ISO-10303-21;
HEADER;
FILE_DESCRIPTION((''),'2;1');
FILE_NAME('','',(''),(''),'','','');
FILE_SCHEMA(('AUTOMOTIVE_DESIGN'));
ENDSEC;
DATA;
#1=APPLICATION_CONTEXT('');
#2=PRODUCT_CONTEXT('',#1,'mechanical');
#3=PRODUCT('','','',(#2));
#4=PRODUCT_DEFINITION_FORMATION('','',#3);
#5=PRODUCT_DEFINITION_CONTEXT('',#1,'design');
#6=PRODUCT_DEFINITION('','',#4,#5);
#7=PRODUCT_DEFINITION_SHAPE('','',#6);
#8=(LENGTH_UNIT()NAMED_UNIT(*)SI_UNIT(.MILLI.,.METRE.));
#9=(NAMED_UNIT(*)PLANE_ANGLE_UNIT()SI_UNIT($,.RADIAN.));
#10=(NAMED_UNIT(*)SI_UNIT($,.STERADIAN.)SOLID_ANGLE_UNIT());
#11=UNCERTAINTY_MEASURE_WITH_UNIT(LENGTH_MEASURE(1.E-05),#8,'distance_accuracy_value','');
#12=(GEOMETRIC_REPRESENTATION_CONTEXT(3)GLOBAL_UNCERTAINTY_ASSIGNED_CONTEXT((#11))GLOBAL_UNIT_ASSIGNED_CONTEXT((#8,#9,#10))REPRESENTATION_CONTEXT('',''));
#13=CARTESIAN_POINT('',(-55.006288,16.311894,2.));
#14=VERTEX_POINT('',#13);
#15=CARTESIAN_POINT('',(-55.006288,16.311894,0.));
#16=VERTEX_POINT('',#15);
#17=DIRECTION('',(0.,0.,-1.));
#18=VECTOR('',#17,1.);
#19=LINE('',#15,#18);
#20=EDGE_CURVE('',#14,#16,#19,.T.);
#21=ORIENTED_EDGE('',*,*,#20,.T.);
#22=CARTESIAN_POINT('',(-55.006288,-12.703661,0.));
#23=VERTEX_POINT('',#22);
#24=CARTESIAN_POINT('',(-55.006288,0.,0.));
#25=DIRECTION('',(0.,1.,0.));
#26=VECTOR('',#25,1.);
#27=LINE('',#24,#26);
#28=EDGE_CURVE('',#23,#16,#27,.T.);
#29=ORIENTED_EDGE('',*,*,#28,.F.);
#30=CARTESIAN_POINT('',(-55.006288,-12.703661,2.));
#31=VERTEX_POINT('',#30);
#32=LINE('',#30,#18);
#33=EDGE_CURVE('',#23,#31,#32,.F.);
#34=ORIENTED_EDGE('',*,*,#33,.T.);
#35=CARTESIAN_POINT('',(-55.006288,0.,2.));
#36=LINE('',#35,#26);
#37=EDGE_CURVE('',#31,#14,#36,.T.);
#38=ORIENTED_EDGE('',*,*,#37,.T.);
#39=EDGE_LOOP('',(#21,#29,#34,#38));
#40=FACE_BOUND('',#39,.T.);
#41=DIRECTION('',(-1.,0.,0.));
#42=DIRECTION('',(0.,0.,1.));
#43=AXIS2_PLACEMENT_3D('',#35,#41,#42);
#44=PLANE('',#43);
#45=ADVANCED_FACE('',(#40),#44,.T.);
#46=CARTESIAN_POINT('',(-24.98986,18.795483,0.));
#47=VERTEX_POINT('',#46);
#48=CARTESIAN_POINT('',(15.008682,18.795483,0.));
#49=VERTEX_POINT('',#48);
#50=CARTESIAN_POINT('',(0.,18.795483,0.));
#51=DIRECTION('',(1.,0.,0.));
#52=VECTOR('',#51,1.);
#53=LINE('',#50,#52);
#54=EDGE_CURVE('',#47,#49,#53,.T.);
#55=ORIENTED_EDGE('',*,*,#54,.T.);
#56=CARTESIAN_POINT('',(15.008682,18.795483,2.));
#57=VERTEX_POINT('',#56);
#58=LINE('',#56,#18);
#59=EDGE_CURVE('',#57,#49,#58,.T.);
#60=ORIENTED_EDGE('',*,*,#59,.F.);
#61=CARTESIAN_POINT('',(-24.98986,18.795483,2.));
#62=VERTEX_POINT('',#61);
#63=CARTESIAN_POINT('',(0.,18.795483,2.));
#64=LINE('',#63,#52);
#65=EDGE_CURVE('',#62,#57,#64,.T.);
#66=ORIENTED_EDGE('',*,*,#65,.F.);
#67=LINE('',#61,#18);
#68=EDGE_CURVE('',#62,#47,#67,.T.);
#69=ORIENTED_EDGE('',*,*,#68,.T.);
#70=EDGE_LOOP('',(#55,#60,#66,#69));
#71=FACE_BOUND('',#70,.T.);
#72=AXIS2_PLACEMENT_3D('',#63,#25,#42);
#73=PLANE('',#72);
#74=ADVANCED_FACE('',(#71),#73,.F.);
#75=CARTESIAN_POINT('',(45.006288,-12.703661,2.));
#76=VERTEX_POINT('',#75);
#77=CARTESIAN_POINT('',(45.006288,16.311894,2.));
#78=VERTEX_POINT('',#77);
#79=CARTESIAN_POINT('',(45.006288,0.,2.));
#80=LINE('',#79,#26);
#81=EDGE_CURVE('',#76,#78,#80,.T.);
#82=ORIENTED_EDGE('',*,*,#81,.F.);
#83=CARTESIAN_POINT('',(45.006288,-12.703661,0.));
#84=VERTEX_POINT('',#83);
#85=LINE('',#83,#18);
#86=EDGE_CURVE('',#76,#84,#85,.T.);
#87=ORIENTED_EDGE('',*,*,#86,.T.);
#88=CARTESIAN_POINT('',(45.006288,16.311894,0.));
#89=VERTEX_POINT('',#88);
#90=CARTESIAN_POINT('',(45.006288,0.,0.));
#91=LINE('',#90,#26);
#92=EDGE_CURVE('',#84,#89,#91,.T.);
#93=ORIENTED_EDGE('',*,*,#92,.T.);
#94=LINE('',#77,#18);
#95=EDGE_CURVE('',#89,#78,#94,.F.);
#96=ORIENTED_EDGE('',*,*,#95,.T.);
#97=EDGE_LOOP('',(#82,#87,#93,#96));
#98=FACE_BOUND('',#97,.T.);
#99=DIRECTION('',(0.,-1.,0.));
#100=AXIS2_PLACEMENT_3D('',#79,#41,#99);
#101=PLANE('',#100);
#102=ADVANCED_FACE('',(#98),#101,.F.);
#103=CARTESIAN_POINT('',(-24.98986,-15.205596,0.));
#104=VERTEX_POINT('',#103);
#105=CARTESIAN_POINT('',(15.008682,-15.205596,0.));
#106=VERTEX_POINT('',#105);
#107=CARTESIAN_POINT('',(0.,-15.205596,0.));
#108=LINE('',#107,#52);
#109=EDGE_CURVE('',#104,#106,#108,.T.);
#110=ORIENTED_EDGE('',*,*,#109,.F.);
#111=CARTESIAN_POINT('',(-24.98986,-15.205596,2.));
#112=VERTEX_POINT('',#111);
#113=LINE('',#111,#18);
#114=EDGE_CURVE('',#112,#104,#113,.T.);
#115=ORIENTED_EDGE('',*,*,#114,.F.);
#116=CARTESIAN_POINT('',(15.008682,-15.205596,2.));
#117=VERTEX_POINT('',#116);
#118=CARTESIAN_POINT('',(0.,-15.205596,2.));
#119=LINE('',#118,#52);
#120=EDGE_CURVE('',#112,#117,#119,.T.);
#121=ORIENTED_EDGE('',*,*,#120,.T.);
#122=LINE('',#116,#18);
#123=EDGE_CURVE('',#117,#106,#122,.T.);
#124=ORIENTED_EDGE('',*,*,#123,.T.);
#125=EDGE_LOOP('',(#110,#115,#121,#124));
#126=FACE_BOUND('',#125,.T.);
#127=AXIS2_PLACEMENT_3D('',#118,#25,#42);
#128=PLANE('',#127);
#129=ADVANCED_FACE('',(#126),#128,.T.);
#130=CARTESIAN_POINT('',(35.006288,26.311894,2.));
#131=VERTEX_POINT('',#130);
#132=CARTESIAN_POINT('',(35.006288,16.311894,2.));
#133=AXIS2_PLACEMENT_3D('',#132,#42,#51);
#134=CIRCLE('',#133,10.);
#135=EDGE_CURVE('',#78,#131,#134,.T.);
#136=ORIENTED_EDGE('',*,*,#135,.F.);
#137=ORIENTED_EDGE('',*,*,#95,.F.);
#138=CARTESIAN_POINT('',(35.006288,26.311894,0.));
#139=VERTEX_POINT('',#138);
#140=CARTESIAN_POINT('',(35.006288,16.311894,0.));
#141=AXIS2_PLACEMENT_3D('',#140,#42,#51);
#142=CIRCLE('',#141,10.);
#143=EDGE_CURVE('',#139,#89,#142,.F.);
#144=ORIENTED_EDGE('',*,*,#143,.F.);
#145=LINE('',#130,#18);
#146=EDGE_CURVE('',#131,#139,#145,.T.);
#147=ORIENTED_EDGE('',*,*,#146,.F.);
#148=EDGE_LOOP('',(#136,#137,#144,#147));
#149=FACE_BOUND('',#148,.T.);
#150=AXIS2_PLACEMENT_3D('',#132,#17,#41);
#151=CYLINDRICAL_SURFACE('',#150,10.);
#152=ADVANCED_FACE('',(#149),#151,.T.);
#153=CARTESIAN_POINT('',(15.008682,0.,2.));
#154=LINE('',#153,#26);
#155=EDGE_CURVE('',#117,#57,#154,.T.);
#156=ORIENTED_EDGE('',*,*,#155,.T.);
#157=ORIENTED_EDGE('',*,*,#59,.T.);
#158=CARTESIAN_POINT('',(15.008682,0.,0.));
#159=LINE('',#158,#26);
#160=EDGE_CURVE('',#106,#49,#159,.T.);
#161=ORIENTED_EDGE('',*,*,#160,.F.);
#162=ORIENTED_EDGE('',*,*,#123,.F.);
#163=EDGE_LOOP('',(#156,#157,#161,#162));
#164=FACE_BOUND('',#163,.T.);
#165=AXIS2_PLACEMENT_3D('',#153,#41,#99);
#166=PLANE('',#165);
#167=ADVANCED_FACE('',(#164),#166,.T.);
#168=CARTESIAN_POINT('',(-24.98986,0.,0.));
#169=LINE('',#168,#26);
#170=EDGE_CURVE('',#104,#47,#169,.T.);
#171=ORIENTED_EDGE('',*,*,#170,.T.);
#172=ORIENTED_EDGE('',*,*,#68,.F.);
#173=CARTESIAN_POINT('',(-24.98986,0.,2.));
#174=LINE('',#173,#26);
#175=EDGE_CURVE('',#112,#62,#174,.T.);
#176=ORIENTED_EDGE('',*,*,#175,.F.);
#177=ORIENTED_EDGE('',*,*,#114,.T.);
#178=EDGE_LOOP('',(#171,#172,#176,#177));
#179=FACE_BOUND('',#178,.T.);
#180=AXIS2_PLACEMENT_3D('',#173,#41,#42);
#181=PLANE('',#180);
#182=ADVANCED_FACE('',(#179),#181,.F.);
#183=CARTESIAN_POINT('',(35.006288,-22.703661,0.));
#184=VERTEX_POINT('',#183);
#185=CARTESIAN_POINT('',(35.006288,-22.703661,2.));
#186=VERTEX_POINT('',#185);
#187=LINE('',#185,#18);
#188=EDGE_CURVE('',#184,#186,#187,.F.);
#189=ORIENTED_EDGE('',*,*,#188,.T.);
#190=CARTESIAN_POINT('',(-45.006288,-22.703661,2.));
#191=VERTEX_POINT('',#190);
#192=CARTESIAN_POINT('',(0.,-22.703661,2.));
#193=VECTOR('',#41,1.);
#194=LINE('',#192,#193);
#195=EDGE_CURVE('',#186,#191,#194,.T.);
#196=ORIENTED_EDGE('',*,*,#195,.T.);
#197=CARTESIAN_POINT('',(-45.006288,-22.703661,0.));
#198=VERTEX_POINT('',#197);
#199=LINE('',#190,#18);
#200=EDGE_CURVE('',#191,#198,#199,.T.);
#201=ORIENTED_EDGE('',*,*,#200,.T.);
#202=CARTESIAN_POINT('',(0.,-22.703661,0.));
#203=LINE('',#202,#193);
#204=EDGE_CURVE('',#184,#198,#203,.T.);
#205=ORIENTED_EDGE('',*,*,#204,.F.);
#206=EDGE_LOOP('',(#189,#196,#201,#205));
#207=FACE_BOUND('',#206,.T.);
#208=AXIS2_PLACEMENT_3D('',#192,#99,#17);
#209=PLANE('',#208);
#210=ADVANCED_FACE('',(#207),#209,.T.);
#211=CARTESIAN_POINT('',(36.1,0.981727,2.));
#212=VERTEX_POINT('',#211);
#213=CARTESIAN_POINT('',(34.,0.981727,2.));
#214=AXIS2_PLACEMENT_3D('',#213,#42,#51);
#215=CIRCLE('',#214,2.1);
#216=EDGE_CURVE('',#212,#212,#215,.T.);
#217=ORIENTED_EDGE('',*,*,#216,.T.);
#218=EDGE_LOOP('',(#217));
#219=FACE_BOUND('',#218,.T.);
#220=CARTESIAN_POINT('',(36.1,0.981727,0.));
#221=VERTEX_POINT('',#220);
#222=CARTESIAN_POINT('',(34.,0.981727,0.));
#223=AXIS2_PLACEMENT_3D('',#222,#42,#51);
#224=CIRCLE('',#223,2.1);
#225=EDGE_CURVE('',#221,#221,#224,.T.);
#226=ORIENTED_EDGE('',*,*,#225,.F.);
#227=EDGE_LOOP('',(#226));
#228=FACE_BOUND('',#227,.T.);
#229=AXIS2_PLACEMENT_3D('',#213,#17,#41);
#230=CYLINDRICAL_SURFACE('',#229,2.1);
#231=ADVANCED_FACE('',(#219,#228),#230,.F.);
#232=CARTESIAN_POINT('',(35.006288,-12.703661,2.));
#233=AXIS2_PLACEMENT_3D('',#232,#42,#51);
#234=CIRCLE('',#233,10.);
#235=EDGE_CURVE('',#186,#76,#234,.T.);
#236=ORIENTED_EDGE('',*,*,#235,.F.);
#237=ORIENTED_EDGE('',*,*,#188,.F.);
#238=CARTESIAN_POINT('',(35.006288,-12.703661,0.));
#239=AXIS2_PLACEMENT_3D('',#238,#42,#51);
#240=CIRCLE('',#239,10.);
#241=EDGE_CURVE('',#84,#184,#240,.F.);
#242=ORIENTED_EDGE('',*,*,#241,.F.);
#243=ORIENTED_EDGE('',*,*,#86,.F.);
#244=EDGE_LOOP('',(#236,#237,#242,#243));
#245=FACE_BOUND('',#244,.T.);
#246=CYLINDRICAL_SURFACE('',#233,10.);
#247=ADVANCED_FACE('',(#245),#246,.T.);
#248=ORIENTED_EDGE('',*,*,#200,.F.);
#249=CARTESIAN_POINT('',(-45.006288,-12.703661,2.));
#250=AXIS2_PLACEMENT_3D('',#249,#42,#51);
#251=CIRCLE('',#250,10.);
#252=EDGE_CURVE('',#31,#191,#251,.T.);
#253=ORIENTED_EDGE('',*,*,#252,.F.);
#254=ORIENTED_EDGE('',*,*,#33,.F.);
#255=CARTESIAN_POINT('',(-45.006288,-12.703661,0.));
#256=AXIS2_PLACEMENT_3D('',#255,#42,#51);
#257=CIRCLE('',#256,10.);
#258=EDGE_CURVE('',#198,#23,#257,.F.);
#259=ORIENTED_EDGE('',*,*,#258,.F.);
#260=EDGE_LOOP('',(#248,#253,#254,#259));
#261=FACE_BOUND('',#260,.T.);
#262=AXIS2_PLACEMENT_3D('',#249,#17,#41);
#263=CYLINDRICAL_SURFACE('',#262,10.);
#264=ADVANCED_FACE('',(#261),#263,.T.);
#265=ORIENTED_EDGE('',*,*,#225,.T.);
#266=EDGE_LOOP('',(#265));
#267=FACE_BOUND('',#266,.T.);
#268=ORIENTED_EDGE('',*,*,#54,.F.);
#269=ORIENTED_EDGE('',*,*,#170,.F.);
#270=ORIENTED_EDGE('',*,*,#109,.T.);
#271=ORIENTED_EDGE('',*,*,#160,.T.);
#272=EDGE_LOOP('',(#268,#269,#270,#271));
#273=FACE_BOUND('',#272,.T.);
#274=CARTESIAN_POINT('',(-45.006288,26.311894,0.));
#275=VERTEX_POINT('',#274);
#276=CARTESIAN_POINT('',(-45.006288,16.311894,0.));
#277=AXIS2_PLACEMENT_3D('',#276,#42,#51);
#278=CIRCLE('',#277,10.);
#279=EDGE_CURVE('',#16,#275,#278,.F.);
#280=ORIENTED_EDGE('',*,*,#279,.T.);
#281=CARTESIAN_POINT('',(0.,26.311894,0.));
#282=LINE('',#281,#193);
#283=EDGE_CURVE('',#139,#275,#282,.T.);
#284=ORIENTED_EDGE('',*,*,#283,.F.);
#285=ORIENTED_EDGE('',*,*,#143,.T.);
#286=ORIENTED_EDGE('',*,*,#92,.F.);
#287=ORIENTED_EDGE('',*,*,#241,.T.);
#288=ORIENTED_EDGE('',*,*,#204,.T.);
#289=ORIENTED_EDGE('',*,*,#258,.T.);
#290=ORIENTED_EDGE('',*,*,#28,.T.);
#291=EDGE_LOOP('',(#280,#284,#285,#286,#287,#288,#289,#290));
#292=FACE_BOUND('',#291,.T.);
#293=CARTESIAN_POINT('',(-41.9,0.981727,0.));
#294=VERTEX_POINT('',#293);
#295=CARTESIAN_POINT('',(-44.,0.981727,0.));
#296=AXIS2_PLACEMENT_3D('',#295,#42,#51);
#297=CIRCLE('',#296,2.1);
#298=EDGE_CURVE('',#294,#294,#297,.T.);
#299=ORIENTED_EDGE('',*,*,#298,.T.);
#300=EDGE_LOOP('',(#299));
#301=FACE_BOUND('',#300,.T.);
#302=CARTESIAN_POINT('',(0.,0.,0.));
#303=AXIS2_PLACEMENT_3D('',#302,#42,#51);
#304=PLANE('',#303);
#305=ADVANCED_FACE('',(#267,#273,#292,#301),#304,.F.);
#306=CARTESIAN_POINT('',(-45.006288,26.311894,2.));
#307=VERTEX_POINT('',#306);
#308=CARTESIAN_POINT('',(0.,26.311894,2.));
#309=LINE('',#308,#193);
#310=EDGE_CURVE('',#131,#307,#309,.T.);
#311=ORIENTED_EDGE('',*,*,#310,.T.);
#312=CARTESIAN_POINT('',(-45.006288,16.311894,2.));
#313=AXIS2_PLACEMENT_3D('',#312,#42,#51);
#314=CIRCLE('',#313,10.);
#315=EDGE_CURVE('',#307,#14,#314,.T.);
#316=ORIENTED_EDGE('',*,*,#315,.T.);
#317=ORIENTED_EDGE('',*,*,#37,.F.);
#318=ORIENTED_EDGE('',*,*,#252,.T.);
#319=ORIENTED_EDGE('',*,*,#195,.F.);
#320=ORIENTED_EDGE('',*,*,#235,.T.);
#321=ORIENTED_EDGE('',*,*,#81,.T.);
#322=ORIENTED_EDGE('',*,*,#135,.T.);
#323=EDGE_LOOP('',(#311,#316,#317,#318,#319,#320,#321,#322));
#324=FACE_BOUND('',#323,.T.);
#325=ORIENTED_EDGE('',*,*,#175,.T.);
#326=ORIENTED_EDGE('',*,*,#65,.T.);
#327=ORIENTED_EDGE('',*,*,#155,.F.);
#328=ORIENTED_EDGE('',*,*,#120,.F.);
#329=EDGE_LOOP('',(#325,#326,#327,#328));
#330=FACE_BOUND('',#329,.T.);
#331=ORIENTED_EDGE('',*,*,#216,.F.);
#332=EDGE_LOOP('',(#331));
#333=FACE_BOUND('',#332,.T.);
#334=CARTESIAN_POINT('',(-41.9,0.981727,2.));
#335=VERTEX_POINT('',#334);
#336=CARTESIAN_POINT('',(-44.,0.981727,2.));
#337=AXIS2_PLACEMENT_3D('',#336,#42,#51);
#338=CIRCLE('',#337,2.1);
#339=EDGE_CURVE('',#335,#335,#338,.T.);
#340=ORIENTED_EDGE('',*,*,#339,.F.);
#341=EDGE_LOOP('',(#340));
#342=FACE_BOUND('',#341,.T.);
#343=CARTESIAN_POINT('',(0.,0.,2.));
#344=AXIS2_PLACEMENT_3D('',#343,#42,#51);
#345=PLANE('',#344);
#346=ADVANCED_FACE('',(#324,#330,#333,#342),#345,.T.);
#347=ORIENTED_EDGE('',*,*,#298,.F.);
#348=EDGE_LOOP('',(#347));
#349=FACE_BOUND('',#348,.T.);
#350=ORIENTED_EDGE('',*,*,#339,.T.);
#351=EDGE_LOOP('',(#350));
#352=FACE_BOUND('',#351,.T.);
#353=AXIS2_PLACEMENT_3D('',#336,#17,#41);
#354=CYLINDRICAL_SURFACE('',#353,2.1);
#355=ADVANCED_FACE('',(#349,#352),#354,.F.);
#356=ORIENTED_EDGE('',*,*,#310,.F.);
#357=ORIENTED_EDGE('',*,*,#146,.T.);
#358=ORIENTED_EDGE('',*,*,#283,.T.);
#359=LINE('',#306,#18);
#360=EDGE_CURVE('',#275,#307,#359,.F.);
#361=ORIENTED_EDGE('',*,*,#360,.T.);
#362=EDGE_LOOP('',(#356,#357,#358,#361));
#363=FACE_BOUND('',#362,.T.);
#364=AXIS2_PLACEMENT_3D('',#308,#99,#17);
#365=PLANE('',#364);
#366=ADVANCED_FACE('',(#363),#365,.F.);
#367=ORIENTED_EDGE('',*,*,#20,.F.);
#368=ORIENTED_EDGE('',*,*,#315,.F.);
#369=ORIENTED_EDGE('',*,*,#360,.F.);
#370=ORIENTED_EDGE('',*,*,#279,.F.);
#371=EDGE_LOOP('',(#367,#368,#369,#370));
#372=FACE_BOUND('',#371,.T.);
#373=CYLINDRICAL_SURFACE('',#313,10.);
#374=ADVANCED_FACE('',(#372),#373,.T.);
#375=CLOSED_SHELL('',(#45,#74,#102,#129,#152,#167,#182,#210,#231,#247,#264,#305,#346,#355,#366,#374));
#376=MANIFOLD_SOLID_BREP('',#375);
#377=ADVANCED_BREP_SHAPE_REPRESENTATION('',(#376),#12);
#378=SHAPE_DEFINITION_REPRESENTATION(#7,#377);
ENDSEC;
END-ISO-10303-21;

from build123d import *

# Parameters (mm, degrees)
SKETCH1_W           = 100.01257602
SKETCH1_H           = 49.015555291
SKETCH1_R           = 2.1
SKETCH1_W_2         = 39.998541852
SKETCH1_H_2         = 34.001078585
BOSS_EXTRUDE1_DEPTH = 2
FILLET1_R           = 10


with BuildPart() as part:
    # Sketch1 → Boss-Extrude1 (new body)
    with BuildSketch(Plane.XY):
        with Locations((-5, 1.804116785)):
            Rectangle(SKETCH1_W, SKETCH1_H)
        with Locations((-44, 0.98172734)):
            Circle(SKETCH1_R, mode=Mode.SUBTRACT)
        with Locations((34, 0.98172734)):
            Circle(SKETCH1_R, mode=Mode.SUBTRACT)
        with Locations((-4.990588882, 1.794943283)):
            Rectangle(SKETCH1_W_2, SKETCH1_H_2, mode=Mode.SUBTRACT)
    extrude(amount=BOSS_EXTRUDE1_DEPTH)

    # Fillet1
    fillet1_edges = [part.edges().sort_by_distance(p)[0] for p in [
        (-55.00628801, 26.311894431, 1),
        (45.00628801, 26.311894431, 1),
        (45.00628801, -22.70366086, 1),
        (-55.00628801, -22.70366086, 1),
    ]]
    fillet(fillet1_edges, radius=FILLET1_R)


solid = part.part
